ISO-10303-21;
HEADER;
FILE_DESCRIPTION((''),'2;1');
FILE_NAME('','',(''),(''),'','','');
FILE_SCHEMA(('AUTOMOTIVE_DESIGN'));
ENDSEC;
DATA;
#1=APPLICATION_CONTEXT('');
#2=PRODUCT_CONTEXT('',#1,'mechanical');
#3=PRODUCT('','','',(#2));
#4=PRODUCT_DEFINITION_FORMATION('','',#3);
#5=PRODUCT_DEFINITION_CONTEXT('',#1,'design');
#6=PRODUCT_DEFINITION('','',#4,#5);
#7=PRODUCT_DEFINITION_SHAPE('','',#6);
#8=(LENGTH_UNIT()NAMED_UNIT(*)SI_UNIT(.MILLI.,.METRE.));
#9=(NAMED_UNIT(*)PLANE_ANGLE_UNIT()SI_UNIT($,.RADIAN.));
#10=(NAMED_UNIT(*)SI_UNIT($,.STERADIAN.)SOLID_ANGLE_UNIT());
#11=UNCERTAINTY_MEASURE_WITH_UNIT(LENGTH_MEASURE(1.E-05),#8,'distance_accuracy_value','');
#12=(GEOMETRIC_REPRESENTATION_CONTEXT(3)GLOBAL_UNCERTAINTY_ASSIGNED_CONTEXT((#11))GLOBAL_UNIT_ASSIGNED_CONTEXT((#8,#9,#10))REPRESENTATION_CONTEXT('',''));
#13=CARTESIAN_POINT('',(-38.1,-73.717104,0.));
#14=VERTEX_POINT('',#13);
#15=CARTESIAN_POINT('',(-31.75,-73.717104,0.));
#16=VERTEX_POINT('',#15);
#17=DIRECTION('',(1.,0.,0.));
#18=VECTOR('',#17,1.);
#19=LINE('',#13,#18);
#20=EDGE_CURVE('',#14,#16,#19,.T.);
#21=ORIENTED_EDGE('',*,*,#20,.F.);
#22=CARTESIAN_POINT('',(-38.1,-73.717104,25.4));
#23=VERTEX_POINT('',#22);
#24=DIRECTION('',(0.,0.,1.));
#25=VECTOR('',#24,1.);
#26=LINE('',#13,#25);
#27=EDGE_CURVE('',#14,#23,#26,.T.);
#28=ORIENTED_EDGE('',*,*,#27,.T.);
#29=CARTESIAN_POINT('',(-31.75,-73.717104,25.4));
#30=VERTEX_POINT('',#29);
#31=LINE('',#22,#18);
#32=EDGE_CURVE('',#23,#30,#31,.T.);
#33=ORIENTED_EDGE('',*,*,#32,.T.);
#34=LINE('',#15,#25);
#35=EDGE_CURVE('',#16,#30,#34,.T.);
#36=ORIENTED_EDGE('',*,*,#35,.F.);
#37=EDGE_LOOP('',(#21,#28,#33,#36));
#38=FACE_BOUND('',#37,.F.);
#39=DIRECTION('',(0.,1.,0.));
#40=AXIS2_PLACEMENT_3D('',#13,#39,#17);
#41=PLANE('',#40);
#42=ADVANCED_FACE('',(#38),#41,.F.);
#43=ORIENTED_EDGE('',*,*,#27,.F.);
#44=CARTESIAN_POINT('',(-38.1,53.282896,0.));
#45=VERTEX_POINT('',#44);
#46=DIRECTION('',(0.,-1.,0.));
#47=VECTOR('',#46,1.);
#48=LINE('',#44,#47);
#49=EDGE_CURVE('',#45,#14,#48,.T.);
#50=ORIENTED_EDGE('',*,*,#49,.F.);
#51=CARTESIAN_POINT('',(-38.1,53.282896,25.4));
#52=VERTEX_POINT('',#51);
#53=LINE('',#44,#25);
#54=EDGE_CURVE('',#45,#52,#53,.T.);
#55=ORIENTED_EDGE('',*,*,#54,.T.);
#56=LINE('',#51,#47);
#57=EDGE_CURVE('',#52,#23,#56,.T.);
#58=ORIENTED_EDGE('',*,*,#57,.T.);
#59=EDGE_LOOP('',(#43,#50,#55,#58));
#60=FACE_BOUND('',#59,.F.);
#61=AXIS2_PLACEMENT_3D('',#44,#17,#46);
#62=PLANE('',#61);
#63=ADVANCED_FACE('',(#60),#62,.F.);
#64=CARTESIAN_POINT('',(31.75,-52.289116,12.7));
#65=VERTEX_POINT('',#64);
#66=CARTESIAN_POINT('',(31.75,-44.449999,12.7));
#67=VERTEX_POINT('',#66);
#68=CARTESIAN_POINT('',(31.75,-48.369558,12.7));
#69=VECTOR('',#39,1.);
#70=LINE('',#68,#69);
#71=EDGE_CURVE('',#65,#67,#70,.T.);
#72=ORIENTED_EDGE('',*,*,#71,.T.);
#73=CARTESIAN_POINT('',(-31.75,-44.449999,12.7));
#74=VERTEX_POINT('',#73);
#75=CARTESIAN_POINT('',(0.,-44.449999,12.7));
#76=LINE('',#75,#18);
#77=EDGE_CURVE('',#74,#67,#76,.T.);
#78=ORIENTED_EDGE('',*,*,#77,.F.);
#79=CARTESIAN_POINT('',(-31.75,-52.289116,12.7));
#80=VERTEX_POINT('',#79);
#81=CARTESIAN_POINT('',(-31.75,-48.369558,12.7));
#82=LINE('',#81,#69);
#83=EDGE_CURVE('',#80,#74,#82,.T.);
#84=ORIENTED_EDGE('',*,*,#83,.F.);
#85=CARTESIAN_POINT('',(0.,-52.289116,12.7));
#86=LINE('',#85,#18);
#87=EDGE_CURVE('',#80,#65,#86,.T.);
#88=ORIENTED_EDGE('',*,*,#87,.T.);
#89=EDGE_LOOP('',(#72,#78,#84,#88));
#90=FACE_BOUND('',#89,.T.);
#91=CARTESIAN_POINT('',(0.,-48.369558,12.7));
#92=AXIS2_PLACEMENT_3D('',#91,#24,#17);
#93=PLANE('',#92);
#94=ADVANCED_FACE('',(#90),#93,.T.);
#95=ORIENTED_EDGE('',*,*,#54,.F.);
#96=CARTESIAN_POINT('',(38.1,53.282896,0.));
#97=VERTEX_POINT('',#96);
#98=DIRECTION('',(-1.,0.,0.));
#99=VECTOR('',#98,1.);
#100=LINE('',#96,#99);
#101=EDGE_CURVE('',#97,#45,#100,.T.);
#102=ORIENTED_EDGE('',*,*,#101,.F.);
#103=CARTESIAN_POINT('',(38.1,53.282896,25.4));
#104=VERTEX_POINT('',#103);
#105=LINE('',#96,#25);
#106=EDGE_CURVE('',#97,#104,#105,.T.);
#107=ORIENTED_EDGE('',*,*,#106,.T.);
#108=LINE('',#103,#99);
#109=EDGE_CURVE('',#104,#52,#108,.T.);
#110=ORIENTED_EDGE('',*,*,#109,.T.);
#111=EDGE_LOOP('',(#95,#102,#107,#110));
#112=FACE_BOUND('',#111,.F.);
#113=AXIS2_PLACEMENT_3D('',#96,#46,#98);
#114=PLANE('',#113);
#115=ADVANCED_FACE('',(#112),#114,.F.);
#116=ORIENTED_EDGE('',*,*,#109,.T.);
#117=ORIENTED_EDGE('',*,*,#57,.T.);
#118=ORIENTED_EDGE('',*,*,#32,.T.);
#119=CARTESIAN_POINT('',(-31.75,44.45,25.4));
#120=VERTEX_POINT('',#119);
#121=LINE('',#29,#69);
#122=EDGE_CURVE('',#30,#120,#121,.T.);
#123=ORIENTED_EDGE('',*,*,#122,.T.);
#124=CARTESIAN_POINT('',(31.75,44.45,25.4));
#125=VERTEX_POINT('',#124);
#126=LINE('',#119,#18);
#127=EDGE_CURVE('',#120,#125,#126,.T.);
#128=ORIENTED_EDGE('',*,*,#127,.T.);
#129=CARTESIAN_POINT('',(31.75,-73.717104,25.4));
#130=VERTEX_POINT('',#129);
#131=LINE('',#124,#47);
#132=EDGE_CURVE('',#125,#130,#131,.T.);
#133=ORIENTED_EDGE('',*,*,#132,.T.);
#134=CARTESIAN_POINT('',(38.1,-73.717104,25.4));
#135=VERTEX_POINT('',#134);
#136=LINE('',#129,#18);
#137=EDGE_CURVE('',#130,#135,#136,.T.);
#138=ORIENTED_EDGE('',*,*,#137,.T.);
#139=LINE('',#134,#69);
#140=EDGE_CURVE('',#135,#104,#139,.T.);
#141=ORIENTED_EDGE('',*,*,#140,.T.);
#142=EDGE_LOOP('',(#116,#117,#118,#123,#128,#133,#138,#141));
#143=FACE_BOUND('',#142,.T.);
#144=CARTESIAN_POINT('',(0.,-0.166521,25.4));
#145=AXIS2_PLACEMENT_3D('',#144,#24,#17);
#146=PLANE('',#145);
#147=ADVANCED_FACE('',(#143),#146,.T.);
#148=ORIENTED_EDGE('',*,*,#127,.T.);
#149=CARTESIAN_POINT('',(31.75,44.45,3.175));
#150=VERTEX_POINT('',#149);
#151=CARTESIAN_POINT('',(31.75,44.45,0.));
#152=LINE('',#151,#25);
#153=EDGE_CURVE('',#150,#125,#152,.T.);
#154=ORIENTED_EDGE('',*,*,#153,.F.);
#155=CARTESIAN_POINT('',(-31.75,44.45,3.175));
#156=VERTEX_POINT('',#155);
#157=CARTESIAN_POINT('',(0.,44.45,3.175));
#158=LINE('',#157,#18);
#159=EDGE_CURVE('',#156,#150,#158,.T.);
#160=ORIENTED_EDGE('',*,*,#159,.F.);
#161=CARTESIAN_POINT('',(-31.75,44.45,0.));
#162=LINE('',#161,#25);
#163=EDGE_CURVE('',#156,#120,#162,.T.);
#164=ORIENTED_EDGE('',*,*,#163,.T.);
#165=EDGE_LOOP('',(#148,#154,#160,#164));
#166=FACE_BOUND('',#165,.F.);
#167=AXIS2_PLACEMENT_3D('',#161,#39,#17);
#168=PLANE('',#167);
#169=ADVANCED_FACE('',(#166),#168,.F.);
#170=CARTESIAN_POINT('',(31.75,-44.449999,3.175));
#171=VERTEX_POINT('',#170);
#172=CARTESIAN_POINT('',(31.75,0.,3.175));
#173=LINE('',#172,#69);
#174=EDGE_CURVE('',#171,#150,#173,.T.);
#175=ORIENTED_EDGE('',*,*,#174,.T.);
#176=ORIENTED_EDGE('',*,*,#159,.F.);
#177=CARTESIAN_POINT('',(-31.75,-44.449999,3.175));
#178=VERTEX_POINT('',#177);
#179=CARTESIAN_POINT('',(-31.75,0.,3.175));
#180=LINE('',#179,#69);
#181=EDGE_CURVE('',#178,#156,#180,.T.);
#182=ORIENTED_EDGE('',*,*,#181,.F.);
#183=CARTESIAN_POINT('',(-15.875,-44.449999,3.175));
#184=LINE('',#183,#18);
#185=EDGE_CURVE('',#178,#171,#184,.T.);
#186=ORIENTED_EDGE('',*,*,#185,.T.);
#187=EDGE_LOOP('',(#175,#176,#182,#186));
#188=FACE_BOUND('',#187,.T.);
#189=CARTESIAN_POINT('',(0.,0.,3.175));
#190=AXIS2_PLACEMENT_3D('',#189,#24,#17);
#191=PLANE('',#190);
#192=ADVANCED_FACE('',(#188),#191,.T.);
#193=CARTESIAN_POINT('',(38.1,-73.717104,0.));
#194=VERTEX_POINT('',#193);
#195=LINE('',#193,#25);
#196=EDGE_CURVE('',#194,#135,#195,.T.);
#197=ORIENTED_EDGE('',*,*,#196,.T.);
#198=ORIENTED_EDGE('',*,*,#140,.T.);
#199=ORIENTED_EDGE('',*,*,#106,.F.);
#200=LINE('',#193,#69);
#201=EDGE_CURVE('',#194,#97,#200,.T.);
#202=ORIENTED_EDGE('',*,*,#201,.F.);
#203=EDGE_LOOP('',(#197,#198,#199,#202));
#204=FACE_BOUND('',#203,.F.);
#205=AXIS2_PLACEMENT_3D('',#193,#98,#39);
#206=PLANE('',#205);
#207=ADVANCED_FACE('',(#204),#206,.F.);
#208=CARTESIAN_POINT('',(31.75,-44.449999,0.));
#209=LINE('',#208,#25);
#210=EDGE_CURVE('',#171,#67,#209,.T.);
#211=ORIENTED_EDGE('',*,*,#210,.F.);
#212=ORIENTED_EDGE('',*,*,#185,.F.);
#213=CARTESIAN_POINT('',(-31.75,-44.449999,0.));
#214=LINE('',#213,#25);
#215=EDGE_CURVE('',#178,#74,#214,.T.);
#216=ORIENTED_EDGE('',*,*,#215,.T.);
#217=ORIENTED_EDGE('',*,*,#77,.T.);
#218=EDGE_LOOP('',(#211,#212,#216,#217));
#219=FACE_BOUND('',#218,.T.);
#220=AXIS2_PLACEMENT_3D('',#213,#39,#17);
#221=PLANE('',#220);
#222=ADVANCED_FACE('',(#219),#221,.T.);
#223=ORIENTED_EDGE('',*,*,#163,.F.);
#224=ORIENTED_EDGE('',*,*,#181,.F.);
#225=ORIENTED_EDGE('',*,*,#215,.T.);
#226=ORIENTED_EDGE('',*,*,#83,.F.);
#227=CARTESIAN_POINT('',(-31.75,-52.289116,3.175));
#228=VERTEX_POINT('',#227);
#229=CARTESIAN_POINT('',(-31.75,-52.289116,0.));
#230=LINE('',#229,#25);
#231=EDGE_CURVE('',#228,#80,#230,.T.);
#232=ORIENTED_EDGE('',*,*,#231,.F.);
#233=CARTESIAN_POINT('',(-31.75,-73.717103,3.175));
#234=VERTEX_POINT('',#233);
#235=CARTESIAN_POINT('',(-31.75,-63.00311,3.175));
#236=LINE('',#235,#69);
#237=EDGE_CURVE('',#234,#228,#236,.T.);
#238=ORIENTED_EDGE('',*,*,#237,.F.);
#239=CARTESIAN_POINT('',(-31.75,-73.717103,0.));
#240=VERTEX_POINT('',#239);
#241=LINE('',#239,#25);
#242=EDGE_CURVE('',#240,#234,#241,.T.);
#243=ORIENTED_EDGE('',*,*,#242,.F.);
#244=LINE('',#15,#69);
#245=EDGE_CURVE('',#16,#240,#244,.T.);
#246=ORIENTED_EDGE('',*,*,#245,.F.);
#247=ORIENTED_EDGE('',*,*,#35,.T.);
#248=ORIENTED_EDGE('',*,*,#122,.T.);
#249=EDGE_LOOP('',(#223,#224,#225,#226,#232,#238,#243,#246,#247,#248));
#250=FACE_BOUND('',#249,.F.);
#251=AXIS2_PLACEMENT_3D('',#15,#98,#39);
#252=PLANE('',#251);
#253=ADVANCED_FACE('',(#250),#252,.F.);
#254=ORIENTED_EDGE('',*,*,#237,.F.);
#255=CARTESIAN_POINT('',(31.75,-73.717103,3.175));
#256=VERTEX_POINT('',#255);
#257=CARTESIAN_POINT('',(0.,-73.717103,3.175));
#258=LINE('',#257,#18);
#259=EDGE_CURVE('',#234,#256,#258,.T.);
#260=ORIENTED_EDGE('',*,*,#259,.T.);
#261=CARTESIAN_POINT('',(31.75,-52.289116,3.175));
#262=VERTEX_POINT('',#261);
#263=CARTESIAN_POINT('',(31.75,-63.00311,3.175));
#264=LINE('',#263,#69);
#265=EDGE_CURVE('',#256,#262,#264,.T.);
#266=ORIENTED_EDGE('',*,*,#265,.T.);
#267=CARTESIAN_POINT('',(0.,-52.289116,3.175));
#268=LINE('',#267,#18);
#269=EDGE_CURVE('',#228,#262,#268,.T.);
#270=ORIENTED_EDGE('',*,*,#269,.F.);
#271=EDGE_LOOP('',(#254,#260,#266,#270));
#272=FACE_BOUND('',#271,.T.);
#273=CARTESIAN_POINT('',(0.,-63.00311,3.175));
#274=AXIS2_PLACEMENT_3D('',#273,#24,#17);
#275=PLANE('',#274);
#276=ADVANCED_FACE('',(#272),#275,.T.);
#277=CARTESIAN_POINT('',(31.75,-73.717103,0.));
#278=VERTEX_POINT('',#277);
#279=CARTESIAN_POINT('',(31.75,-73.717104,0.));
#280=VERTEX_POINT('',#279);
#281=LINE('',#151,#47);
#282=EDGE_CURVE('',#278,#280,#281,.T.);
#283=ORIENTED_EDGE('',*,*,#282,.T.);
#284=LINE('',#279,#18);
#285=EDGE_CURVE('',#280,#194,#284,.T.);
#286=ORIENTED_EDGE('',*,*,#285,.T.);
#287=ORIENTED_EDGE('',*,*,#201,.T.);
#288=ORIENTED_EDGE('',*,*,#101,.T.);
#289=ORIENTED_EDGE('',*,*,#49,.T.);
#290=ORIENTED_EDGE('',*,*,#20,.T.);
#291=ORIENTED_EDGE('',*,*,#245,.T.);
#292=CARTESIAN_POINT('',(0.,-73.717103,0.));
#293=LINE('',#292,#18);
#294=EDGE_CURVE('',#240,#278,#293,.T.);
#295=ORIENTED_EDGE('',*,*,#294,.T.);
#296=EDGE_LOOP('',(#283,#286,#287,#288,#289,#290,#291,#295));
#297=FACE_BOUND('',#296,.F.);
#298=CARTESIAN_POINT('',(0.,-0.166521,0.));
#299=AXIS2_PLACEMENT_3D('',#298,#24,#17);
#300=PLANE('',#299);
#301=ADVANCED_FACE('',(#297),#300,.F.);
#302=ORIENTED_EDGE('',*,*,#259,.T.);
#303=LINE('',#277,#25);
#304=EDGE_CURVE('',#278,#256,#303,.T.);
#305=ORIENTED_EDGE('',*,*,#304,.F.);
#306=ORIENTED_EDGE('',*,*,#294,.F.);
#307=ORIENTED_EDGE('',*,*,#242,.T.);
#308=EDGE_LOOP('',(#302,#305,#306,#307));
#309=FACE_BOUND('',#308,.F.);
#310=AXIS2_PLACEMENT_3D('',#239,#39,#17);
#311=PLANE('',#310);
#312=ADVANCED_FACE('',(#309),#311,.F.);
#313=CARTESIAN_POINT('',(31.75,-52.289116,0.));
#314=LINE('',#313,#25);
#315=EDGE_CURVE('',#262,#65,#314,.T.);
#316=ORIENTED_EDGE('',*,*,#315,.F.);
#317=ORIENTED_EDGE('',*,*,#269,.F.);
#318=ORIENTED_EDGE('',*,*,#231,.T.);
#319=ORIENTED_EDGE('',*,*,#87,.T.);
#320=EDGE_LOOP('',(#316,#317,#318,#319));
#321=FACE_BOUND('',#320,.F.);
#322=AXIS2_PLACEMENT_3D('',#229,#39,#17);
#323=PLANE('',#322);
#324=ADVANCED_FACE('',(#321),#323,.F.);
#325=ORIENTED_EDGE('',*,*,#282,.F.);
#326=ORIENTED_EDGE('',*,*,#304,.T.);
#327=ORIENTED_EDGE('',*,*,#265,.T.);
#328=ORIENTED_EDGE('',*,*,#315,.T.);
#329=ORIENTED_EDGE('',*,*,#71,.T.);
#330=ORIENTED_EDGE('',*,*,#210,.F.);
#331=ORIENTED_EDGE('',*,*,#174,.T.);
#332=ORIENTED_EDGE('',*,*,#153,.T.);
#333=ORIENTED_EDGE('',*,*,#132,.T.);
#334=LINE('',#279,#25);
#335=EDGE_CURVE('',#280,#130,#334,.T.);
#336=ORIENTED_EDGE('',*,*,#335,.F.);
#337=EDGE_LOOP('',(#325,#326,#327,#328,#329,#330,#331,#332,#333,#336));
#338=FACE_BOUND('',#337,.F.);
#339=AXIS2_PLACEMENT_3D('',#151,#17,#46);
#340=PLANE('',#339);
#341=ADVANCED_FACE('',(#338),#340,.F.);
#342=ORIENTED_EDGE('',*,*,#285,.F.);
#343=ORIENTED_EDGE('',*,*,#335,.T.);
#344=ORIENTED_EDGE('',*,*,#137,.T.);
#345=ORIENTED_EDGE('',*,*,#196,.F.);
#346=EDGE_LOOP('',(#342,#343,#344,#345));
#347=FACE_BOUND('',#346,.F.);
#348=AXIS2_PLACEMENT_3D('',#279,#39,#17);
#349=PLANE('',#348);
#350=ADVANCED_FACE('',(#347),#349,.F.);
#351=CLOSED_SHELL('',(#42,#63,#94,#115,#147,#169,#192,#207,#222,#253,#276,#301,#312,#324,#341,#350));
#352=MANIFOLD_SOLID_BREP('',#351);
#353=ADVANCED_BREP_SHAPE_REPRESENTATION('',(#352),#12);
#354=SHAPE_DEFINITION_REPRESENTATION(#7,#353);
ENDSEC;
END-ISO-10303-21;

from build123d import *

# Parameters (mm, degrees)
F0_W     = 63.5
F0_H     = 21.427987
F1_DEPTH = 3.175
F2_DEPTH = 25.4
F0_H_2   = 7.839117
F3_DEPTH = 12.7
F0_H_3   = 88.9
F4_DEPTH = 3.175


with BuildPart() as f1:
    # F0 (on Top) → F1 (new body)
    with BuildSketch(Plane.XY):
        with Locations((0, -63.00311)):
            Rectangle(F0_W, F0_H)
    extrude(amount=F1_DEPTH)

    # F0 (on Top) → F2 (join)
    with BuildSketch(Plane.XY):
        Polygon((-31.75, 44.45), (31.75, 44.45), (31.75, -44.45), (31.75, -52.289117), (31.75, -73.717104), (38.1, -73.717104), (38.1, 53.282896), (-38.1, 53.282896), (-38.1, -73.717104), (-31.75, -73.717104), (-31.75, -52.289117), (-31.75, -44.45), align=None)
    extrude(amount=F2_DEPTH)

    # F0 (on Top) → F3 (join)
    with BuildSketch(Plane.XY):
        with Locations((0, -48.369558)):
            Rectangle(F0_W, F0_H_2)
    extrude(amount=F3_DEPTH)

    # F0 (on Top) → F4 (join)
    with BuildSketch(Plane.XY):
        Rectangle(F0_W, F0_H_3)
    extrude(amount=F4_DEPTH)


solid = f1.part
